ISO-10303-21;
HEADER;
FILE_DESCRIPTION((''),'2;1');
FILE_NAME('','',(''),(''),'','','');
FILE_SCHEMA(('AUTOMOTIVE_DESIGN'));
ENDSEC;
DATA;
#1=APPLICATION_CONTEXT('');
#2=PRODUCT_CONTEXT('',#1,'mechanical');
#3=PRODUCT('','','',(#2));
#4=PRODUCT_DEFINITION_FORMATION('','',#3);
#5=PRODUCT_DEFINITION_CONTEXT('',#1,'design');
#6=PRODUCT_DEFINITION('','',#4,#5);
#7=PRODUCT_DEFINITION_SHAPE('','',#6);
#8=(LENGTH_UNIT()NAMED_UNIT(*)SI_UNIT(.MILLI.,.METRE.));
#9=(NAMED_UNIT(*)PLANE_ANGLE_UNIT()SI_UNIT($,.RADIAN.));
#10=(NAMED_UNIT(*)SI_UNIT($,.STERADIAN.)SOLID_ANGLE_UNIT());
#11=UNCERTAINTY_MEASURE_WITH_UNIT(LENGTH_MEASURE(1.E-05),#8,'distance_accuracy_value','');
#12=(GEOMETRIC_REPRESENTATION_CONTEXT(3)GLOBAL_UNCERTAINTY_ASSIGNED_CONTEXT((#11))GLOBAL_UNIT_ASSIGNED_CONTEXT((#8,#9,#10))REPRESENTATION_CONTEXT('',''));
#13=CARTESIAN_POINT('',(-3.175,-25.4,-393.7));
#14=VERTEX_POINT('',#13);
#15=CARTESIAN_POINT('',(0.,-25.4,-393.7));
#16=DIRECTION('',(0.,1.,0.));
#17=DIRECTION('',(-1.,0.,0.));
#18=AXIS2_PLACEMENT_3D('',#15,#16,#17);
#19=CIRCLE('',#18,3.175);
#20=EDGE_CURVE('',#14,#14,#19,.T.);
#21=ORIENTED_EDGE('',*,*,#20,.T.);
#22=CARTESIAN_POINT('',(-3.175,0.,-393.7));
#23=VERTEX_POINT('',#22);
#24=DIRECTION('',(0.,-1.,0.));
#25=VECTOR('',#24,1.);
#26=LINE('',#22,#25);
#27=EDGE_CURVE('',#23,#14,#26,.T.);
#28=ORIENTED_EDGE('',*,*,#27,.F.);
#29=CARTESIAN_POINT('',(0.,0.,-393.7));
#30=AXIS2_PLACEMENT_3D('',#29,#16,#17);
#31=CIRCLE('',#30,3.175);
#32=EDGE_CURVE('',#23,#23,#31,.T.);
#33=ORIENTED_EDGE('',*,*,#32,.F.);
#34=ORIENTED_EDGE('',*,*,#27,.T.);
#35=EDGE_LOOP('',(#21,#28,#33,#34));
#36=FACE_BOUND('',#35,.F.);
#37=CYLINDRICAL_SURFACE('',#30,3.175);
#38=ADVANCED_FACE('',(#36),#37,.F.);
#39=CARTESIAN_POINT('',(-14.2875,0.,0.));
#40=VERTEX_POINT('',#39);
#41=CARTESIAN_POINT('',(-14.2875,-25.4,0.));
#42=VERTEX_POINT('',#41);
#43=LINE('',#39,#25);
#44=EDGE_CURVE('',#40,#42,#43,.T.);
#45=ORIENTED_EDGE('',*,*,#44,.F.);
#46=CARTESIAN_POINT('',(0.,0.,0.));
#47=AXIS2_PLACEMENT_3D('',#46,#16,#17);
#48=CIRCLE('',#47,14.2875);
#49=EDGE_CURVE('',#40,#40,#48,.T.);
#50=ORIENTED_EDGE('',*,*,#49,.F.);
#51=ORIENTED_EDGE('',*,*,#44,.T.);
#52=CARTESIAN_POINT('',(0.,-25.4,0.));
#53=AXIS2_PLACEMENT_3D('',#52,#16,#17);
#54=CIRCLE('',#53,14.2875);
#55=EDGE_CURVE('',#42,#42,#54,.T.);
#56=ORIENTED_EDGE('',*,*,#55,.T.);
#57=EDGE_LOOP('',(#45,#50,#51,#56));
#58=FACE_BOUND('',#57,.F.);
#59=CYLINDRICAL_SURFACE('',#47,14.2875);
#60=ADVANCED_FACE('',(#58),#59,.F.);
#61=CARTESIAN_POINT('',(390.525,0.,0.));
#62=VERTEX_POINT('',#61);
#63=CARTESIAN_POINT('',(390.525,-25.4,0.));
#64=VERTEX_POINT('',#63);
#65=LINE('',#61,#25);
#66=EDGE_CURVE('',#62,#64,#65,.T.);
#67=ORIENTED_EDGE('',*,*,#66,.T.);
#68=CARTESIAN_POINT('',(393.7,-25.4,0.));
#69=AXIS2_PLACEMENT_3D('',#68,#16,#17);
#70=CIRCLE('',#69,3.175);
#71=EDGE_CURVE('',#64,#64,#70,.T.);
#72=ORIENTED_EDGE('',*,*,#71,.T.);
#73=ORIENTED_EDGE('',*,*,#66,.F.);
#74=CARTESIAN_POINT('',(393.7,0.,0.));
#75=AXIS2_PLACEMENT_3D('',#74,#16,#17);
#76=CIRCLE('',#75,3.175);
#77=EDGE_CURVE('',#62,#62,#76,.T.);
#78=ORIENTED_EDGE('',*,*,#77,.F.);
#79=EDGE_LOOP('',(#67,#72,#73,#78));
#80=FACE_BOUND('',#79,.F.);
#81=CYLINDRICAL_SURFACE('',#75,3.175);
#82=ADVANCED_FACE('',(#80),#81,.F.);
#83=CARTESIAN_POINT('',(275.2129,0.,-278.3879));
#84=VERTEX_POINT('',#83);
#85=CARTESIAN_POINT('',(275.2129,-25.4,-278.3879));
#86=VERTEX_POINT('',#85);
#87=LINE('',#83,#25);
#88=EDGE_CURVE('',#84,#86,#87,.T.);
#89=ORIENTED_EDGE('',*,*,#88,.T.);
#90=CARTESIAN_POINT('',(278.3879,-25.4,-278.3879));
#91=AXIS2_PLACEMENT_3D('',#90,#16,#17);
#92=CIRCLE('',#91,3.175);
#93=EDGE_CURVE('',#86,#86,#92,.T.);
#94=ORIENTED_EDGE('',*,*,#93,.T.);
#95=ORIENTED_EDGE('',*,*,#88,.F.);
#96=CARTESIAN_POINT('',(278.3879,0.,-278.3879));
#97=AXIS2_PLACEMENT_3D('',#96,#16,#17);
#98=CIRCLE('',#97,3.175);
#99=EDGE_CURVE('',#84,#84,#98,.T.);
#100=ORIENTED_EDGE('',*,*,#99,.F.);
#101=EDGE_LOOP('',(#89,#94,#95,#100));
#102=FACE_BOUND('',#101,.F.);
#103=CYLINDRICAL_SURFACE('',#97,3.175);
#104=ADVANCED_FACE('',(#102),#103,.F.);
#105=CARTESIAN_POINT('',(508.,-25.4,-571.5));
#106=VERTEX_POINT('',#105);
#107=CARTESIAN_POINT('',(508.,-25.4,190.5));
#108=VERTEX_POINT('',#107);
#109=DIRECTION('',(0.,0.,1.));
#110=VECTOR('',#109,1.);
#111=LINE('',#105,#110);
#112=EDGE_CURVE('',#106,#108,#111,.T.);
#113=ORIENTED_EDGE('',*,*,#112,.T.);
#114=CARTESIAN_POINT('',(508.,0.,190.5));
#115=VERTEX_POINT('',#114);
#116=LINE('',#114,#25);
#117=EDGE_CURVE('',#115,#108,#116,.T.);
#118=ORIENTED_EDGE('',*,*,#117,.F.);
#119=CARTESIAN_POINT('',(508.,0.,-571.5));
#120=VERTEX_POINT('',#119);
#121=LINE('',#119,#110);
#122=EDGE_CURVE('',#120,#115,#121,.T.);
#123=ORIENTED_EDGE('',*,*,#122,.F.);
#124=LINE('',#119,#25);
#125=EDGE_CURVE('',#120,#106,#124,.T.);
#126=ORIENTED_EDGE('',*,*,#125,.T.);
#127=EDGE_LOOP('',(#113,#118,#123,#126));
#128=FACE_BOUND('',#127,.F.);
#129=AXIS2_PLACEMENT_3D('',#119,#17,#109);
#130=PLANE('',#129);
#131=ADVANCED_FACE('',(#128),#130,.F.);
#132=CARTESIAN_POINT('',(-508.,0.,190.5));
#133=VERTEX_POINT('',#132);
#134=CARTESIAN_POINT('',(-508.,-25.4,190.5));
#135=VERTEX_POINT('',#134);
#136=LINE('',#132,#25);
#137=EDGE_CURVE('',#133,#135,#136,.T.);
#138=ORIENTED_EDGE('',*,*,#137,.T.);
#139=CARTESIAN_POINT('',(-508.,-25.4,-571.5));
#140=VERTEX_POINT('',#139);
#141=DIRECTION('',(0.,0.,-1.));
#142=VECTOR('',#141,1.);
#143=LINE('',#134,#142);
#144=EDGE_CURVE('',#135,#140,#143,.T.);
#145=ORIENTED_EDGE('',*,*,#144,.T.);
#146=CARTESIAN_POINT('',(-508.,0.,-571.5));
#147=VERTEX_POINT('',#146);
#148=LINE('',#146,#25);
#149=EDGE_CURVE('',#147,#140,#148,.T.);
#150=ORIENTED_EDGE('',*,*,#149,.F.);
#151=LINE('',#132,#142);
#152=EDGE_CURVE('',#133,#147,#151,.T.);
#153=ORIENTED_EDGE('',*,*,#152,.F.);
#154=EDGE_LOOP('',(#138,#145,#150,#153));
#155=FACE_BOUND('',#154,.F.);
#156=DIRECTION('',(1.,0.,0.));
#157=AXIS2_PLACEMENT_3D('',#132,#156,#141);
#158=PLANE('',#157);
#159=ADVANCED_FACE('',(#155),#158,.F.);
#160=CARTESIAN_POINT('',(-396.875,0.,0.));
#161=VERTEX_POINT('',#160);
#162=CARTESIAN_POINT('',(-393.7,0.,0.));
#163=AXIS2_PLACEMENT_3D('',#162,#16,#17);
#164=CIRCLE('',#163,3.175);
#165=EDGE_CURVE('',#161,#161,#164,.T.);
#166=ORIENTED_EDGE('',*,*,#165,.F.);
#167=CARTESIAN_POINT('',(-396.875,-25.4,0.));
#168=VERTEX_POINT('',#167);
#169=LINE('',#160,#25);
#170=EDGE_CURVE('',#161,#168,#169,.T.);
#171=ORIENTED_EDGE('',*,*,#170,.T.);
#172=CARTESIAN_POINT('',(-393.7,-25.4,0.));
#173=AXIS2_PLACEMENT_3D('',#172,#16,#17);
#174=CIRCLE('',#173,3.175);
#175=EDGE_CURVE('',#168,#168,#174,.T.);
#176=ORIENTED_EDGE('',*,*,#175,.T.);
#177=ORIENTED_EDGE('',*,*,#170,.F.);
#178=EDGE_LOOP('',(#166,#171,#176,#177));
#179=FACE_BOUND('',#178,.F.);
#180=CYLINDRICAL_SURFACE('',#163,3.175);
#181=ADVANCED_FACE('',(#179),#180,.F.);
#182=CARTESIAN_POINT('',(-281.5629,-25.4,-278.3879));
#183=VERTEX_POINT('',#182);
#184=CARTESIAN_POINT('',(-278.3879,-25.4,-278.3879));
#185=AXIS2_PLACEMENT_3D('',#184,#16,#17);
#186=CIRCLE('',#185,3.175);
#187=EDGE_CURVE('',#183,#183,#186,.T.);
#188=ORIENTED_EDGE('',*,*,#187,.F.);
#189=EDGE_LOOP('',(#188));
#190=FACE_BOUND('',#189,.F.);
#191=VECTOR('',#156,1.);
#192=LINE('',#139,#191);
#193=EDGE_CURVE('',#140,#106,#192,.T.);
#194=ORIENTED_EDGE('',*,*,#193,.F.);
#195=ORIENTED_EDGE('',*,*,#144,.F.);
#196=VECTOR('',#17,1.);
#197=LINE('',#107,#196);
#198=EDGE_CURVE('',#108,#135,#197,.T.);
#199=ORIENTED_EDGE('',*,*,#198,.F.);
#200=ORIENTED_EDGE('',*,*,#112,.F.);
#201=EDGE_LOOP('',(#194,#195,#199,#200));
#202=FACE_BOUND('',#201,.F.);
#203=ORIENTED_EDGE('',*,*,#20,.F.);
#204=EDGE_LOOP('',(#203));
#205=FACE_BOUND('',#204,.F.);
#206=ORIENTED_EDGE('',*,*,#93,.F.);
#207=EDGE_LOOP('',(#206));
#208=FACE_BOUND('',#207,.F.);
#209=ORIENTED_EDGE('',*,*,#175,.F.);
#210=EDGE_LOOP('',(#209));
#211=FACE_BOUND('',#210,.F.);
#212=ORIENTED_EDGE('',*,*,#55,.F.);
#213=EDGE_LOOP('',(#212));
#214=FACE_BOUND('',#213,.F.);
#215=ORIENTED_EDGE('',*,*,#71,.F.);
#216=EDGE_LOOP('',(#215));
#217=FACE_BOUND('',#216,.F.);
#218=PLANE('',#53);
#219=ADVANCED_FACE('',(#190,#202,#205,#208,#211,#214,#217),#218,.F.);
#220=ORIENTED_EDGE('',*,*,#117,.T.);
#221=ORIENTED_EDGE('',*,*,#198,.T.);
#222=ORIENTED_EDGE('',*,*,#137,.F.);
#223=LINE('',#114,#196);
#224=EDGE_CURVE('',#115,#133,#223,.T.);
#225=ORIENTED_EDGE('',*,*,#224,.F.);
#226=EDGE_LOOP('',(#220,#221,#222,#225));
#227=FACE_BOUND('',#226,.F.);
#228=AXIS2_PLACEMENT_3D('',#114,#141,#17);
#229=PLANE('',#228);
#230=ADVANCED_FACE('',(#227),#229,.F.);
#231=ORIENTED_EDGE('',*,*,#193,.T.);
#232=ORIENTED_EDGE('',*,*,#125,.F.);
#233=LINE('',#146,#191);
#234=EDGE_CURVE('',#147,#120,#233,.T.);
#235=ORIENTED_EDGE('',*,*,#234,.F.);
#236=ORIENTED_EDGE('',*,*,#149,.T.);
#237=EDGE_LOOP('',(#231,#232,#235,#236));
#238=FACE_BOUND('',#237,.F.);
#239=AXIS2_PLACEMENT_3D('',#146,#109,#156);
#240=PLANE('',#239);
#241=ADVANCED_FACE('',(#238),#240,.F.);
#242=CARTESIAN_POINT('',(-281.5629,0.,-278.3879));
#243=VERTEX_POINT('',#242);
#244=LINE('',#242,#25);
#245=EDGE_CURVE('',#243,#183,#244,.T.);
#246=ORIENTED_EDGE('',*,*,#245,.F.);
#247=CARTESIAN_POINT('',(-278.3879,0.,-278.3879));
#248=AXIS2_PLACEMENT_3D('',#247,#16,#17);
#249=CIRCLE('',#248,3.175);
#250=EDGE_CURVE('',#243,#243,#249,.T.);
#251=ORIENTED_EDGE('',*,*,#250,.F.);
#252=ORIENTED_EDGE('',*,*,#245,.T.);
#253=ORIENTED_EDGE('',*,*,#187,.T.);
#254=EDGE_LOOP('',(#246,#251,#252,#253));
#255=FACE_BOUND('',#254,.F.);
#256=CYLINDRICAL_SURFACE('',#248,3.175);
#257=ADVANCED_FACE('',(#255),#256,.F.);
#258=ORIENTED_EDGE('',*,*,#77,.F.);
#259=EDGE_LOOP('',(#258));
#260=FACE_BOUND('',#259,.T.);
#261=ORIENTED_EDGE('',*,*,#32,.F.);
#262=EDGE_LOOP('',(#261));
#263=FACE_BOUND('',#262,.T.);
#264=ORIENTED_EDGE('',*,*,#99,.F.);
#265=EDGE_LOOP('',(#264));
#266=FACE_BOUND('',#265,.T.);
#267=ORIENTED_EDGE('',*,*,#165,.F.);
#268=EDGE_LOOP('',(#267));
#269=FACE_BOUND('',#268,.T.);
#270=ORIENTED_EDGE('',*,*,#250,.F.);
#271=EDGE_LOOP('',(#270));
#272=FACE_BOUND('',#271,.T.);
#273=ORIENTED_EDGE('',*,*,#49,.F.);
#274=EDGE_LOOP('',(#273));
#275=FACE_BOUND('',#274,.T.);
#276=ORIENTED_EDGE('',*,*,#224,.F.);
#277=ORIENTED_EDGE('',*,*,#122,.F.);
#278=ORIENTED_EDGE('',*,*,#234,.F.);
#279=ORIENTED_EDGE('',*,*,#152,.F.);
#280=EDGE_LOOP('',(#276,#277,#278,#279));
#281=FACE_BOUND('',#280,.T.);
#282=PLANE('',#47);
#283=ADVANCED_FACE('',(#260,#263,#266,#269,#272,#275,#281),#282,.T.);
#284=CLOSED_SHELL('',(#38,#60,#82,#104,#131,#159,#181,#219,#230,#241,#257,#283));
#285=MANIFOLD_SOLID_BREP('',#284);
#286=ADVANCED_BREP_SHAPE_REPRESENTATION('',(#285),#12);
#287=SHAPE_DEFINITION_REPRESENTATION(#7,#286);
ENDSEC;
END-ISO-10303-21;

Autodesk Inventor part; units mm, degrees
ref_plane "YZ Plane" through (0, 0, 0) normal (1, 0, 0) x (0, 1, 0)
ref_plane "XZ Plane" through (0, 0, 0) normal (0, 1, 0) x (-1, 0, 0)
ref_plane "XY Plane" through (0, 0, 0) normal (0, 0, 1) x (1, 0, 0)
sketch "Sketch1" plane through (0, 0, 0) normal (0, 1, 0) x (-1, 0, 0)
  line L0 (508, -571.5) -> (-508, -571.5)
  line L1 (-508, -571.5) -> (-508, 190.5)
  line L2 (-508, 190.5) -> (508, 190.5)
  line L3 (508, 190.5) -> (508, -571.5)
  circle A0 centre (0, 0) radius 14.2875
  line L4 (508, 0) -> (-508, 0) construction
  arc A1 (-393.7, 0) -> (393.7, 0) centre (0, 0) ccw construction
  circle A2 centre (393.7, 0) radius 3.175
  circle A3 centre (0, -393.7) radius 3.175
  circle A4 centre (-393.7, 0) radius 3.175
  circle A5 centre (278.3879, -278.3879) radius 3.175
  line L5 (0, 0) -> (278.3879, -278.3879) construction
  circle A6 centre (-278.3879, -278.3879) radius 3.175
  line L6 (-278.3879, -278.3879) -> (0, 0) construction
  dimension "d0" = 1016
  dimension "d2" = 762
  dimension "d4" = 508
  dimension "d5" = 28.575
  dimension "d9" = 787.4
  dimension "d10" = 393.7
  dimension "d11" = 508
  dimension "d12" = 6.35
  dimension "d13" = 6.35
  dimension "d14" = 6.35
  dimension "d15" = 6.35
  dimension "d16" = 45
  dimension "d17" = 6.35
  dimension "d18" = 45
  dimension "d19" = 571.5
extrude "Extrusion1" add sketch "Sketch1" against normal blind 25.4
equation "\"d4\" = 0.5 * d0"
equation "\"d19\" = 0.75 * d2"
properties part number "Shooter Base Plate"
